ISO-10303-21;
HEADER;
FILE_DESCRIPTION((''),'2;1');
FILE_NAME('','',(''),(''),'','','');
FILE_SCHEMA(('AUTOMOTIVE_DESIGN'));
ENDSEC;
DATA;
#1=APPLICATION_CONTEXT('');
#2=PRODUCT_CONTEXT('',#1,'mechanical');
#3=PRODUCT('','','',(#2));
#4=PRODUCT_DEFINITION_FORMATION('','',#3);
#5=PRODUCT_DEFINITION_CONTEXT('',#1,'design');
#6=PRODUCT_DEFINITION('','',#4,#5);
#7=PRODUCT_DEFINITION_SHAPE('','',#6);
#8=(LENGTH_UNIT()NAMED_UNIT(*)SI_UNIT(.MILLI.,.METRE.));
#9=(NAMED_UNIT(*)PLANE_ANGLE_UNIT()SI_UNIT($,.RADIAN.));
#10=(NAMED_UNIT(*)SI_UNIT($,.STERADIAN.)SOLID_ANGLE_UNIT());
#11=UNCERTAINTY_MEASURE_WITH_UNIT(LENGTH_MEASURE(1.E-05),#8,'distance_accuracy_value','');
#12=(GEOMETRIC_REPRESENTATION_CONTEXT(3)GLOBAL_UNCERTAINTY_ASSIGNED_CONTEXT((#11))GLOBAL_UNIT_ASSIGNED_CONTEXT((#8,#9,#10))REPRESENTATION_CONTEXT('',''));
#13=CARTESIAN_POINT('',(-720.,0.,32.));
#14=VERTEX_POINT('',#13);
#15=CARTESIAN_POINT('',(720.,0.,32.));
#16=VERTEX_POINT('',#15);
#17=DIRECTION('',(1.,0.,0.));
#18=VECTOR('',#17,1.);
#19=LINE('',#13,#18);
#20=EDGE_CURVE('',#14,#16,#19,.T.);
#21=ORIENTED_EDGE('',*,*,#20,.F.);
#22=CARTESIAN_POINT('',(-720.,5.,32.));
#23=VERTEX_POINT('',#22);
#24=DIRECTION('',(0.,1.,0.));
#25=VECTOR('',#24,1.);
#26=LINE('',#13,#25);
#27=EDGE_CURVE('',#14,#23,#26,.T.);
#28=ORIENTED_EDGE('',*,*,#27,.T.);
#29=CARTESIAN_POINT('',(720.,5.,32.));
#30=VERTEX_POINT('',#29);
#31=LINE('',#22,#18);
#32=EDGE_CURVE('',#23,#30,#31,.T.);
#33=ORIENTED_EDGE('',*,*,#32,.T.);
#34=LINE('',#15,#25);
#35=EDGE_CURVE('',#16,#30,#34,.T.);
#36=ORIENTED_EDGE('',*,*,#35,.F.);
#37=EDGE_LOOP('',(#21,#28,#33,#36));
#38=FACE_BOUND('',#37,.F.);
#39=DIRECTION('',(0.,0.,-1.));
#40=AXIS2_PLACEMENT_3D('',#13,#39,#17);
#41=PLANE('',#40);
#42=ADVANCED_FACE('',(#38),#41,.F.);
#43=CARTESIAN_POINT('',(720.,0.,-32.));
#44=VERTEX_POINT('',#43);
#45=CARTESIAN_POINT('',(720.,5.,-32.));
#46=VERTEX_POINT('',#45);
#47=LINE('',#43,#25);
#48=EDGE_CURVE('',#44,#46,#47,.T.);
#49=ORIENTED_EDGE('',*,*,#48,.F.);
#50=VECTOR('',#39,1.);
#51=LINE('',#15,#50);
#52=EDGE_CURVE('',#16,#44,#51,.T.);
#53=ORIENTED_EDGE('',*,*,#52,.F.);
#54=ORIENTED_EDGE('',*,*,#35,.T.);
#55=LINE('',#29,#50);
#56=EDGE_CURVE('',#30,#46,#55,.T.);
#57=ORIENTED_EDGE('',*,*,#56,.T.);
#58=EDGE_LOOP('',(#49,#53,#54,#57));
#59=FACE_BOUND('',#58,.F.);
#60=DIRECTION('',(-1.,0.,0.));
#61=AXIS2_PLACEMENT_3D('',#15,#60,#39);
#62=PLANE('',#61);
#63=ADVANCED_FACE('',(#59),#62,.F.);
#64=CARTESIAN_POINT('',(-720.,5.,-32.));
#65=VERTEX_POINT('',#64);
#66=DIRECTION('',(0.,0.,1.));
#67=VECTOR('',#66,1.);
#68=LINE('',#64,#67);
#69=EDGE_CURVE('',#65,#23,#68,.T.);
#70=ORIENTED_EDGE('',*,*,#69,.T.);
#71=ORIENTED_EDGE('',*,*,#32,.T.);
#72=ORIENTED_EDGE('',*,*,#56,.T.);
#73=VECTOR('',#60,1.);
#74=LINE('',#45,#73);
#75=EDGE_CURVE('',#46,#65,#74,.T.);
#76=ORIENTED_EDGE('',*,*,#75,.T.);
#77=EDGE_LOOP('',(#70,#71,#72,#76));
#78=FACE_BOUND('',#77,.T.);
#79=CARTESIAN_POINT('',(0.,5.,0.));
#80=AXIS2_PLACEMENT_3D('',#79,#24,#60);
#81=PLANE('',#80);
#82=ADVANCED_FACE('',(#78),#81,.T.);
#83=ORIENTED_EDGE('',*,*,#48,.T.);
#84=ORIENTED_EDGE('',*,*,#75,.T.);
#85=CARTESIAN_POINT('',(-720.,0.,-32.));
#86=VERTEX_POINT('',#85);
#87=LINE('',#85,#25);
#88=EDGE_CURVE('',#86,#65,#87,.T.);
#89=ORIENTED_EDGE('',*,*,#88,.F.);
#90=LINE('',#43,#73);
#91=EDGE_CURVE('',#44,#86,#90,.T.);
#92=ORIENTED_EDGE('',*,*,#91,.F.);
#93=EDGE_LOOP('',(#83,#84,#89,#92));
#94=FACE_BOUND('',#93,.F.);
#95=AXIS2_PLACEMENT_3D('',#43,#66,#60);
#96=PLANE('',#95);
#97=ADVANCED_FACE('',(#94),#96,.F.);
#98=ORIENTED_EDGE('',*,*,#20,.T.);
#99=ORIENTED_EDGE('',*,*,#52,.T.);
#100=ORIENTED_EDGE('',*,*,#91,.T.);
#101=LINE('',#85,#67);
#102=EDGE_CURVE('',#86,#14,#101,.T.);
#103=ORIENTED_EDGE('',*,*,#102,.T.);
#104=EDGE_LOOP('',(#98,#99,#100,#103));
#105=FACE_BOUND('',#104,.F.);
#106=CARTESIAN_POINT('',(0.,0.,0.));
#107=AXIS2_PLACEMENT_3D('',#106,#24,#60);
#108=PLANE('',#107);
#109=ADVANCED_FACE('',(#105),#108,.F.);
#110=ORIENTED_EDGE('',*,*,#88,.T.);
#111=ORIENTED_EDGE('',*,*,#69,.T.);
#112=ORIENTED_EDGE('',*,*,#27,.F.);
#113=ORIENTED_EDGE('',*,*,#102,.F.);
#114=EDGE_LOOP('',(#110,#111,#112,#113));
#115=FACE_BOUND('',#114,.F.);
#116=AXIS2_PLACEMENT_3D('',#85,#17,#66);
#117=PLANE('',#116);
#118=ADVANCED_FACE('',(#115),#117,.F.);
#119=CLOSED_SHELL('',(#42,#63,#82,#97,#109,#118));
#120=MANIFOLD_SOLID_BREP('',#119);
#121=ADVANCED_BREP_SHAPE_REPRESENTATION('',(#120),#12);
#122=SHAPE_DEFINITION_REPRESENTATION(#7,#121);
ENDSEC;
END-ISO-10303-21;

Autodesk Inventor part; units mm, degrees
ref_plane "YZ Plane" through (0, 0, 0) normal (1, 0, 0) x (0, 1, 0)
ref_plane "XZ Plane" through (0, 0, 0) normal (0, 1, 0) x (-1, 0, 0)
ref_plane "XY Plane" through (0, 0, 0) normal (0, 0, 1) x (1, 0, 0)
sketch "Эскиз1" plane through (0, 0, 0) normal (0, 1, 0) x (-1, 0, 0)
  line L0 (720, 32) -> (-720, 32)
  line L1 (-720, 32) -> (-720, -32)
  line L2 (-720, -32) -> (720, -32)
  line L3 (720, -32) -> (720, 32)
  line L4 (720, 32) -> (-720, -32) construction
  line L5 (-720, 32) -> (720, -32) construction
  point P0 (0, 0)
  dimension "d0" = 1440
  dimension "d1" = 64
extrude "Пластина1" add sketch "Эскиз1" along normal blind 5
equation "\"d2\" = Толщина"
equation "\"Радиус_гибки\" = Толщина"
equation "\"Ширина_просечки\" = Толщина"
equation "\"Глубина_просечки\" = 0.5 * Толщина"
equation "\"Радиус_перехода\" = Радиус_гибки"
equation "\"Радиус_Якоби\" = Радиус_гибки"
equation "\"Размер_зазора\" = Толщина"
equation "\"Толщина\" = 5"
properties part number "0932_CPY1" material "Steel"
